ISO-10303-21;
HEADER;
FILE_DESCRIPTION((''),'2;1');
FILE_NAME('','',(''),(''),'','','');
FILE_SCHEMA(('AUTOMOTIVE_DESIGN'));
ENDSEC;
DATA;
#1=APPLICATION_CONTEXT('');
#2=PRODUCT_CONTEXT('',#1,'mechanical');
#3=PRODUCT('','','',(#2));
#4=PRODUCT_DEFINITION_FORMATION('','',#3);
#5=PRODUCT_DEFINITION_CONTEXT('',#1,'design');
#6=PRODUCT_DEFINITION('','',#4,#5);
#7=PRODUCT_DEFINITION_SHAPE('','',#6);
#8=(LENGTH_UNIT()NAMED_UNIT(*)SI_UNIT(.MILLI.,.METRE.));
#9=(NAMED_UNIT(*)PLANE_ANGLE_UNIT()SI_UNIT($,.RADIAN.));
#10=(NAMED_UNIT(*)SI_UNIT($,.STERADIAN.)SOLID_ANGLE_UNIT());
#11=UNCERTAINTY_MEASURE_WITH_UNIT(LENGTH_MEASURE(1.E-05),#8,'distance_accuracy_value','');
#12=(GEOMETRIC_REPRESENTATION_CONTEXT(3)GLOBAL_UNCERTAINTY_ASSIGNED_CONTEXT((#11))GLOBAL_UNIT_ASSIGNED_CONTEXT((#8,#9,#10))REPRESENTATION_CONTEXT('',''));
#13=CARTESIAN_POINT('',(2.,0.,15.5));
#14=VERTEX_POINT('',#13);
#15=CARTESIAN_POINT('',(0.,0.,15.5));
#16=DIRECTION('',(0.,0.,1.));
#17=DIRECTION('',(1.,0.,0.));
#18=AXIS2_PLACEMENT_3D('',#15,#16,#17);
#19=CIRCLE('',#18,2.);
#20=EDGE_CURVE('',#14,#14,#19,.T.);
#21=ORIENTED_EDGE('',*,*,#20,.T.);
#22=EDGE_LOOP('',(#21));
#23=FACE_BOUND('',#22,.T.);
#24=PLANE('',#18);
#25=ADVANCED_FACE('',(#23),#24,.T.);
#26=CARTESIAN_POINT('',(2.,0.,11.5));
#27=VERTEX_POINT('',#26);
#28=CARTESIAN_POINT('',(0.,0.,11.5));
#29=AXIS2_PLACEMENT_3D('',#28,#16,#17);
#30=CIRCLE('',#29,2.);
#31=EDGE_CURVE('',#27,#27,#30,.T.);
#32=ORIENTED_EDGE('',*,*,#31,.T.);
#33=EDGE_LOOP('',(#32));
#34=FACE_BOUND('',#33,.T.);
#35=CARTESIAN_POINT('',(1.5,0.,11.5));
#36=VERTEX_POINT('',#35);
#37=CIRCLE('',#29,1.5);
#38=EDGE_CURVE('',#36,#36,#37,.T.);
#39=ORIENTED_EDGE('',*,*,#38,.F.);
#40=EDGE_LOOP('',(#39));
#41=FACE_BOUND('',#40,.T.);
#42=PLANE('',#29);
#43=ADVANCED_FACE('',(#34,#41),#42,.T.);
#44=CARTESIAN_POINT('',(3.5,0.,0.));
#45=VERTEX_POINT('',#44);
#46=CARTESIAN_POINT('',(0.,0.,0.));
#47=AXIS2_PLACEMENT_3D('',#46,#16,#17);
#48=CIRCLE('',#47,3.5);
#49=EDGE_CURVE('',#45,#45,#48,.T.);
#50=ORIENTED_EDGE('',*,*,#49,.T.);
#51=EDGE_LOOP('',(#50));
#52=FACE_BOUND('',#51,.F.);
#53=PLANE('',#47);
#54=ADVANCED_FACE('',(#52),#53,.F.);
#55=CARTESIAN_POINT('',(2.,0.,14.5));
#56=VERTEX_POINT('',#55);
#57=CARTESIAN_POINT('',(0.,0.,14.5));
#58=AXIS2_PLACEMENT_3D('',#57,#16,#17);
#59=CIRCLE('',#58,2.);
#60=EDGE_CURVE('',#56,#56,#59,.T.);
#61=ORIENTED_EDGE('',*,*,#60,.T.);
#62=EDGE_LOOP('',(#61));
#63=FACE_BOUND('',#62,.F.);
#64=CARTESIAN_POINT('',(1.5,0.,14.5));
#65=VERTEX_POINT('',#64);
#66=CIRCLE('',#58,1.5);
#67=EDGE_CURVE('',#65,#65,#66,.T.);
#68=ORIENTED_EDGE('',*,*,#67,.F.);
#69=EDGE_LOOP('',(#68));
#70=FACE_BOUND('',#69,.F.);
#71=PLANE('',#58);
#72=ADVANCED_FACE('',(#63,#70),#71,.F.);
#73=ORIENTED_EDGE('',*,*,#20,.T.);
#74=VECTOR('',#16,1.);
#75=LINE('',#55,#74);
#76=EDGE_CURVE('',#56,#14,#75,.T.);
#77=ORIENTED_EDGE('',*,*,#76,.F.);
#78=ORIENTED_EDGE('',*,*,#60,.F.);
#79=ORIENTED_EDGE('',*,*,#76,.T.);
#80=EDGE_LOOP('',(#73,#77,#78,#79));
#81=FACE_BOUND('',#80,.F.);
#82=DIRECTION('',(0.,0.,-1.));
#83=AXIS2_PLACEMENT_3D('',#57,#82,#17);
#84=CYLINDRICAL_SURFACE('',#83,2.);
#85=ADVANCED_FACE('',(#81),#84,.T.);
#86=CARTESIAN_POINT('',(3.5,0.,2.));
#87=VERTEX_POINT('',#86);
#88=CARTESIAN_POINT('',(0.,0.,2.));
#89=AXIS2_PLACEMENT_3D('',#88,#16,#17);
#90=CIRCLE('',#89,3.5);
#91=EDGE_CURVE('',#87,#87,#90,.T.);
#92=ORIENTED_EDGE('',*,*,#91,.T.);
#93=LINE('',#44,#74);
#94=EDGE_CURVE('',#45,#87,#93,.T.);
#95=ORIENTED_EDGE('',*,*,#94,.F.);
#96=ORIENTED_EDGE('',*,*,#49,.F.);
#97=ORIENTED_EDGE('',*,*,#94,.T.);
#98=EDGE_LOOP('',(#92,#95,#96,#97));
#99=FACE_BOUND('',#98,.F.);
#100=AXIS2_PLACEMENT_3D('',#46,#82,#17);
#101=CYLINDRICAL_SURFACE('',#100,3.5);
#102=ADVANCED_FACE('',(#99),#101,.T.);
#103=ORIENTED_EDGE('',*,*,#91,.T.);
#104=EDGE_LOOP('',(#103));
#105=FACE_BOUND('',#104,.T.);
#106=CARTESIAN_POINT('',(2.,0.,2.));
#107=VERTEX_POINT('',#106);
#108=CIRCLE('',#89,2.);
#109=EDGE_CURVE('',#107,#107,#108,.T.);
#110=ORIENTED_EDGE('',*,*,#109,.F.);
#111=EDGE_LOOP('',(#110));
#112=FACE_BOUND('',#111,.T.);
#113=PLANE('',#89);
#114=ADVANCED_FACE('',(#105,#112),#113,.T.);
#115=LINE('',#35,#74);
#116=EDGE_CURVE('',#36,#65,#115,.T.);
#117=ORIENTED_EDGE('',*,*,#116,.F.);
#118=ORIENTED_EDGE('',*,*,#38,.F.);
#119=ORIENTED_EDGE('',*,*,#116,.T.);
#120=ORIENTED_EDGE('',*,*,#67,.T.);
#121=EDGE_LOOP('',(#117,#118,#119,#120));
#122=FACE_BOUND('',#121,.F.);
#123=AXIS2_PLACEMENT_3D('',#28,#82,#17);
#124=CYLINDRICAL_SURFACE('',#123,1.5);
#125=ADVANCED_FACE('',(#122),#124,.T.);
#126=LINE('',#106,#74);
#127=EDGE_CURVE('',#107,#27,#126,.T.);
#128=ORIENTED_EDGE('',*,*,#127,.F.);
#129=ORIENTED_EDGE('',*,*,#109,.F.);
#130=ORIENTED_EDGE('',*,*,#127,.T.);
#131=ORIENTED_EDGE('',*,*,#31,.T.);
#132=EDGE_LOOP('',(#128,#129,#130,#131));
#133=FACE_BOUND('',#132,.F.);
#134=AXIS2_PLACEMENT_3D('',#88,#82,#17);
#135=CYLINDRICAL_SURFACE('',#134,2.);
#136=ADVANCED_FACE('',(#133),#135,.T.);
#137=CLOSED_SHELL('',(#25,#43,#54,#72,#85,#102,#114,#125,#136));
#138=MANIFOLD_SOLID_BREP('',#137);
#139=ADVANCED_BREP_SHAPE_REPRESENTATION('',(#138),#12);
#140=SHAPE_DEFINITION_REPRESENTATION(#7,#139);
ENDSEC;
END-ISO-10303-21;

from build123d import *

# Parameters (mm, degrees)
SKETCH_R     = 3.5
PAD_DEPTH    = 2
SKETCH001_R  = 2
PAD001_DEPTH = 9.5
SKETCH002_R  = 1.5
PAD002_DEPTH = 3
SKETCH003_R  = 2
PAD003_DEPTH = 1


with BuildPart() as part:
    # Sketch → Pad (new body)
    with BuildSketch(Plane.XY):
        Circle(SKETCH_R)
    extrude(amount=PAD_DEPTH)

    # Sketch001 (on Face3 of Pad) → Pad001 (join)
    with BuildSketch(Plane.XY.offset(2)):
        Circle(SKETCH001_R)
    extrude(amount=PAD001_DEPTH)

    # Sketch002 (on Face5 of Pad001) → Pad002 (join)
    with BuildSketch(Plane.XY.offset(11.5)):
        Circle(SKETCH002_R)
    extrude(amount=PAD002_DEPTH)

    # Sketch003 (on Face7 of Pad002) → Pad003 (join)
    with BuildSketch(Plane.XY.offset(14.5)):
        Circle(SKETCH003_R)
    extrude(amount=PAD003_DEPTH)


solid = part.part
